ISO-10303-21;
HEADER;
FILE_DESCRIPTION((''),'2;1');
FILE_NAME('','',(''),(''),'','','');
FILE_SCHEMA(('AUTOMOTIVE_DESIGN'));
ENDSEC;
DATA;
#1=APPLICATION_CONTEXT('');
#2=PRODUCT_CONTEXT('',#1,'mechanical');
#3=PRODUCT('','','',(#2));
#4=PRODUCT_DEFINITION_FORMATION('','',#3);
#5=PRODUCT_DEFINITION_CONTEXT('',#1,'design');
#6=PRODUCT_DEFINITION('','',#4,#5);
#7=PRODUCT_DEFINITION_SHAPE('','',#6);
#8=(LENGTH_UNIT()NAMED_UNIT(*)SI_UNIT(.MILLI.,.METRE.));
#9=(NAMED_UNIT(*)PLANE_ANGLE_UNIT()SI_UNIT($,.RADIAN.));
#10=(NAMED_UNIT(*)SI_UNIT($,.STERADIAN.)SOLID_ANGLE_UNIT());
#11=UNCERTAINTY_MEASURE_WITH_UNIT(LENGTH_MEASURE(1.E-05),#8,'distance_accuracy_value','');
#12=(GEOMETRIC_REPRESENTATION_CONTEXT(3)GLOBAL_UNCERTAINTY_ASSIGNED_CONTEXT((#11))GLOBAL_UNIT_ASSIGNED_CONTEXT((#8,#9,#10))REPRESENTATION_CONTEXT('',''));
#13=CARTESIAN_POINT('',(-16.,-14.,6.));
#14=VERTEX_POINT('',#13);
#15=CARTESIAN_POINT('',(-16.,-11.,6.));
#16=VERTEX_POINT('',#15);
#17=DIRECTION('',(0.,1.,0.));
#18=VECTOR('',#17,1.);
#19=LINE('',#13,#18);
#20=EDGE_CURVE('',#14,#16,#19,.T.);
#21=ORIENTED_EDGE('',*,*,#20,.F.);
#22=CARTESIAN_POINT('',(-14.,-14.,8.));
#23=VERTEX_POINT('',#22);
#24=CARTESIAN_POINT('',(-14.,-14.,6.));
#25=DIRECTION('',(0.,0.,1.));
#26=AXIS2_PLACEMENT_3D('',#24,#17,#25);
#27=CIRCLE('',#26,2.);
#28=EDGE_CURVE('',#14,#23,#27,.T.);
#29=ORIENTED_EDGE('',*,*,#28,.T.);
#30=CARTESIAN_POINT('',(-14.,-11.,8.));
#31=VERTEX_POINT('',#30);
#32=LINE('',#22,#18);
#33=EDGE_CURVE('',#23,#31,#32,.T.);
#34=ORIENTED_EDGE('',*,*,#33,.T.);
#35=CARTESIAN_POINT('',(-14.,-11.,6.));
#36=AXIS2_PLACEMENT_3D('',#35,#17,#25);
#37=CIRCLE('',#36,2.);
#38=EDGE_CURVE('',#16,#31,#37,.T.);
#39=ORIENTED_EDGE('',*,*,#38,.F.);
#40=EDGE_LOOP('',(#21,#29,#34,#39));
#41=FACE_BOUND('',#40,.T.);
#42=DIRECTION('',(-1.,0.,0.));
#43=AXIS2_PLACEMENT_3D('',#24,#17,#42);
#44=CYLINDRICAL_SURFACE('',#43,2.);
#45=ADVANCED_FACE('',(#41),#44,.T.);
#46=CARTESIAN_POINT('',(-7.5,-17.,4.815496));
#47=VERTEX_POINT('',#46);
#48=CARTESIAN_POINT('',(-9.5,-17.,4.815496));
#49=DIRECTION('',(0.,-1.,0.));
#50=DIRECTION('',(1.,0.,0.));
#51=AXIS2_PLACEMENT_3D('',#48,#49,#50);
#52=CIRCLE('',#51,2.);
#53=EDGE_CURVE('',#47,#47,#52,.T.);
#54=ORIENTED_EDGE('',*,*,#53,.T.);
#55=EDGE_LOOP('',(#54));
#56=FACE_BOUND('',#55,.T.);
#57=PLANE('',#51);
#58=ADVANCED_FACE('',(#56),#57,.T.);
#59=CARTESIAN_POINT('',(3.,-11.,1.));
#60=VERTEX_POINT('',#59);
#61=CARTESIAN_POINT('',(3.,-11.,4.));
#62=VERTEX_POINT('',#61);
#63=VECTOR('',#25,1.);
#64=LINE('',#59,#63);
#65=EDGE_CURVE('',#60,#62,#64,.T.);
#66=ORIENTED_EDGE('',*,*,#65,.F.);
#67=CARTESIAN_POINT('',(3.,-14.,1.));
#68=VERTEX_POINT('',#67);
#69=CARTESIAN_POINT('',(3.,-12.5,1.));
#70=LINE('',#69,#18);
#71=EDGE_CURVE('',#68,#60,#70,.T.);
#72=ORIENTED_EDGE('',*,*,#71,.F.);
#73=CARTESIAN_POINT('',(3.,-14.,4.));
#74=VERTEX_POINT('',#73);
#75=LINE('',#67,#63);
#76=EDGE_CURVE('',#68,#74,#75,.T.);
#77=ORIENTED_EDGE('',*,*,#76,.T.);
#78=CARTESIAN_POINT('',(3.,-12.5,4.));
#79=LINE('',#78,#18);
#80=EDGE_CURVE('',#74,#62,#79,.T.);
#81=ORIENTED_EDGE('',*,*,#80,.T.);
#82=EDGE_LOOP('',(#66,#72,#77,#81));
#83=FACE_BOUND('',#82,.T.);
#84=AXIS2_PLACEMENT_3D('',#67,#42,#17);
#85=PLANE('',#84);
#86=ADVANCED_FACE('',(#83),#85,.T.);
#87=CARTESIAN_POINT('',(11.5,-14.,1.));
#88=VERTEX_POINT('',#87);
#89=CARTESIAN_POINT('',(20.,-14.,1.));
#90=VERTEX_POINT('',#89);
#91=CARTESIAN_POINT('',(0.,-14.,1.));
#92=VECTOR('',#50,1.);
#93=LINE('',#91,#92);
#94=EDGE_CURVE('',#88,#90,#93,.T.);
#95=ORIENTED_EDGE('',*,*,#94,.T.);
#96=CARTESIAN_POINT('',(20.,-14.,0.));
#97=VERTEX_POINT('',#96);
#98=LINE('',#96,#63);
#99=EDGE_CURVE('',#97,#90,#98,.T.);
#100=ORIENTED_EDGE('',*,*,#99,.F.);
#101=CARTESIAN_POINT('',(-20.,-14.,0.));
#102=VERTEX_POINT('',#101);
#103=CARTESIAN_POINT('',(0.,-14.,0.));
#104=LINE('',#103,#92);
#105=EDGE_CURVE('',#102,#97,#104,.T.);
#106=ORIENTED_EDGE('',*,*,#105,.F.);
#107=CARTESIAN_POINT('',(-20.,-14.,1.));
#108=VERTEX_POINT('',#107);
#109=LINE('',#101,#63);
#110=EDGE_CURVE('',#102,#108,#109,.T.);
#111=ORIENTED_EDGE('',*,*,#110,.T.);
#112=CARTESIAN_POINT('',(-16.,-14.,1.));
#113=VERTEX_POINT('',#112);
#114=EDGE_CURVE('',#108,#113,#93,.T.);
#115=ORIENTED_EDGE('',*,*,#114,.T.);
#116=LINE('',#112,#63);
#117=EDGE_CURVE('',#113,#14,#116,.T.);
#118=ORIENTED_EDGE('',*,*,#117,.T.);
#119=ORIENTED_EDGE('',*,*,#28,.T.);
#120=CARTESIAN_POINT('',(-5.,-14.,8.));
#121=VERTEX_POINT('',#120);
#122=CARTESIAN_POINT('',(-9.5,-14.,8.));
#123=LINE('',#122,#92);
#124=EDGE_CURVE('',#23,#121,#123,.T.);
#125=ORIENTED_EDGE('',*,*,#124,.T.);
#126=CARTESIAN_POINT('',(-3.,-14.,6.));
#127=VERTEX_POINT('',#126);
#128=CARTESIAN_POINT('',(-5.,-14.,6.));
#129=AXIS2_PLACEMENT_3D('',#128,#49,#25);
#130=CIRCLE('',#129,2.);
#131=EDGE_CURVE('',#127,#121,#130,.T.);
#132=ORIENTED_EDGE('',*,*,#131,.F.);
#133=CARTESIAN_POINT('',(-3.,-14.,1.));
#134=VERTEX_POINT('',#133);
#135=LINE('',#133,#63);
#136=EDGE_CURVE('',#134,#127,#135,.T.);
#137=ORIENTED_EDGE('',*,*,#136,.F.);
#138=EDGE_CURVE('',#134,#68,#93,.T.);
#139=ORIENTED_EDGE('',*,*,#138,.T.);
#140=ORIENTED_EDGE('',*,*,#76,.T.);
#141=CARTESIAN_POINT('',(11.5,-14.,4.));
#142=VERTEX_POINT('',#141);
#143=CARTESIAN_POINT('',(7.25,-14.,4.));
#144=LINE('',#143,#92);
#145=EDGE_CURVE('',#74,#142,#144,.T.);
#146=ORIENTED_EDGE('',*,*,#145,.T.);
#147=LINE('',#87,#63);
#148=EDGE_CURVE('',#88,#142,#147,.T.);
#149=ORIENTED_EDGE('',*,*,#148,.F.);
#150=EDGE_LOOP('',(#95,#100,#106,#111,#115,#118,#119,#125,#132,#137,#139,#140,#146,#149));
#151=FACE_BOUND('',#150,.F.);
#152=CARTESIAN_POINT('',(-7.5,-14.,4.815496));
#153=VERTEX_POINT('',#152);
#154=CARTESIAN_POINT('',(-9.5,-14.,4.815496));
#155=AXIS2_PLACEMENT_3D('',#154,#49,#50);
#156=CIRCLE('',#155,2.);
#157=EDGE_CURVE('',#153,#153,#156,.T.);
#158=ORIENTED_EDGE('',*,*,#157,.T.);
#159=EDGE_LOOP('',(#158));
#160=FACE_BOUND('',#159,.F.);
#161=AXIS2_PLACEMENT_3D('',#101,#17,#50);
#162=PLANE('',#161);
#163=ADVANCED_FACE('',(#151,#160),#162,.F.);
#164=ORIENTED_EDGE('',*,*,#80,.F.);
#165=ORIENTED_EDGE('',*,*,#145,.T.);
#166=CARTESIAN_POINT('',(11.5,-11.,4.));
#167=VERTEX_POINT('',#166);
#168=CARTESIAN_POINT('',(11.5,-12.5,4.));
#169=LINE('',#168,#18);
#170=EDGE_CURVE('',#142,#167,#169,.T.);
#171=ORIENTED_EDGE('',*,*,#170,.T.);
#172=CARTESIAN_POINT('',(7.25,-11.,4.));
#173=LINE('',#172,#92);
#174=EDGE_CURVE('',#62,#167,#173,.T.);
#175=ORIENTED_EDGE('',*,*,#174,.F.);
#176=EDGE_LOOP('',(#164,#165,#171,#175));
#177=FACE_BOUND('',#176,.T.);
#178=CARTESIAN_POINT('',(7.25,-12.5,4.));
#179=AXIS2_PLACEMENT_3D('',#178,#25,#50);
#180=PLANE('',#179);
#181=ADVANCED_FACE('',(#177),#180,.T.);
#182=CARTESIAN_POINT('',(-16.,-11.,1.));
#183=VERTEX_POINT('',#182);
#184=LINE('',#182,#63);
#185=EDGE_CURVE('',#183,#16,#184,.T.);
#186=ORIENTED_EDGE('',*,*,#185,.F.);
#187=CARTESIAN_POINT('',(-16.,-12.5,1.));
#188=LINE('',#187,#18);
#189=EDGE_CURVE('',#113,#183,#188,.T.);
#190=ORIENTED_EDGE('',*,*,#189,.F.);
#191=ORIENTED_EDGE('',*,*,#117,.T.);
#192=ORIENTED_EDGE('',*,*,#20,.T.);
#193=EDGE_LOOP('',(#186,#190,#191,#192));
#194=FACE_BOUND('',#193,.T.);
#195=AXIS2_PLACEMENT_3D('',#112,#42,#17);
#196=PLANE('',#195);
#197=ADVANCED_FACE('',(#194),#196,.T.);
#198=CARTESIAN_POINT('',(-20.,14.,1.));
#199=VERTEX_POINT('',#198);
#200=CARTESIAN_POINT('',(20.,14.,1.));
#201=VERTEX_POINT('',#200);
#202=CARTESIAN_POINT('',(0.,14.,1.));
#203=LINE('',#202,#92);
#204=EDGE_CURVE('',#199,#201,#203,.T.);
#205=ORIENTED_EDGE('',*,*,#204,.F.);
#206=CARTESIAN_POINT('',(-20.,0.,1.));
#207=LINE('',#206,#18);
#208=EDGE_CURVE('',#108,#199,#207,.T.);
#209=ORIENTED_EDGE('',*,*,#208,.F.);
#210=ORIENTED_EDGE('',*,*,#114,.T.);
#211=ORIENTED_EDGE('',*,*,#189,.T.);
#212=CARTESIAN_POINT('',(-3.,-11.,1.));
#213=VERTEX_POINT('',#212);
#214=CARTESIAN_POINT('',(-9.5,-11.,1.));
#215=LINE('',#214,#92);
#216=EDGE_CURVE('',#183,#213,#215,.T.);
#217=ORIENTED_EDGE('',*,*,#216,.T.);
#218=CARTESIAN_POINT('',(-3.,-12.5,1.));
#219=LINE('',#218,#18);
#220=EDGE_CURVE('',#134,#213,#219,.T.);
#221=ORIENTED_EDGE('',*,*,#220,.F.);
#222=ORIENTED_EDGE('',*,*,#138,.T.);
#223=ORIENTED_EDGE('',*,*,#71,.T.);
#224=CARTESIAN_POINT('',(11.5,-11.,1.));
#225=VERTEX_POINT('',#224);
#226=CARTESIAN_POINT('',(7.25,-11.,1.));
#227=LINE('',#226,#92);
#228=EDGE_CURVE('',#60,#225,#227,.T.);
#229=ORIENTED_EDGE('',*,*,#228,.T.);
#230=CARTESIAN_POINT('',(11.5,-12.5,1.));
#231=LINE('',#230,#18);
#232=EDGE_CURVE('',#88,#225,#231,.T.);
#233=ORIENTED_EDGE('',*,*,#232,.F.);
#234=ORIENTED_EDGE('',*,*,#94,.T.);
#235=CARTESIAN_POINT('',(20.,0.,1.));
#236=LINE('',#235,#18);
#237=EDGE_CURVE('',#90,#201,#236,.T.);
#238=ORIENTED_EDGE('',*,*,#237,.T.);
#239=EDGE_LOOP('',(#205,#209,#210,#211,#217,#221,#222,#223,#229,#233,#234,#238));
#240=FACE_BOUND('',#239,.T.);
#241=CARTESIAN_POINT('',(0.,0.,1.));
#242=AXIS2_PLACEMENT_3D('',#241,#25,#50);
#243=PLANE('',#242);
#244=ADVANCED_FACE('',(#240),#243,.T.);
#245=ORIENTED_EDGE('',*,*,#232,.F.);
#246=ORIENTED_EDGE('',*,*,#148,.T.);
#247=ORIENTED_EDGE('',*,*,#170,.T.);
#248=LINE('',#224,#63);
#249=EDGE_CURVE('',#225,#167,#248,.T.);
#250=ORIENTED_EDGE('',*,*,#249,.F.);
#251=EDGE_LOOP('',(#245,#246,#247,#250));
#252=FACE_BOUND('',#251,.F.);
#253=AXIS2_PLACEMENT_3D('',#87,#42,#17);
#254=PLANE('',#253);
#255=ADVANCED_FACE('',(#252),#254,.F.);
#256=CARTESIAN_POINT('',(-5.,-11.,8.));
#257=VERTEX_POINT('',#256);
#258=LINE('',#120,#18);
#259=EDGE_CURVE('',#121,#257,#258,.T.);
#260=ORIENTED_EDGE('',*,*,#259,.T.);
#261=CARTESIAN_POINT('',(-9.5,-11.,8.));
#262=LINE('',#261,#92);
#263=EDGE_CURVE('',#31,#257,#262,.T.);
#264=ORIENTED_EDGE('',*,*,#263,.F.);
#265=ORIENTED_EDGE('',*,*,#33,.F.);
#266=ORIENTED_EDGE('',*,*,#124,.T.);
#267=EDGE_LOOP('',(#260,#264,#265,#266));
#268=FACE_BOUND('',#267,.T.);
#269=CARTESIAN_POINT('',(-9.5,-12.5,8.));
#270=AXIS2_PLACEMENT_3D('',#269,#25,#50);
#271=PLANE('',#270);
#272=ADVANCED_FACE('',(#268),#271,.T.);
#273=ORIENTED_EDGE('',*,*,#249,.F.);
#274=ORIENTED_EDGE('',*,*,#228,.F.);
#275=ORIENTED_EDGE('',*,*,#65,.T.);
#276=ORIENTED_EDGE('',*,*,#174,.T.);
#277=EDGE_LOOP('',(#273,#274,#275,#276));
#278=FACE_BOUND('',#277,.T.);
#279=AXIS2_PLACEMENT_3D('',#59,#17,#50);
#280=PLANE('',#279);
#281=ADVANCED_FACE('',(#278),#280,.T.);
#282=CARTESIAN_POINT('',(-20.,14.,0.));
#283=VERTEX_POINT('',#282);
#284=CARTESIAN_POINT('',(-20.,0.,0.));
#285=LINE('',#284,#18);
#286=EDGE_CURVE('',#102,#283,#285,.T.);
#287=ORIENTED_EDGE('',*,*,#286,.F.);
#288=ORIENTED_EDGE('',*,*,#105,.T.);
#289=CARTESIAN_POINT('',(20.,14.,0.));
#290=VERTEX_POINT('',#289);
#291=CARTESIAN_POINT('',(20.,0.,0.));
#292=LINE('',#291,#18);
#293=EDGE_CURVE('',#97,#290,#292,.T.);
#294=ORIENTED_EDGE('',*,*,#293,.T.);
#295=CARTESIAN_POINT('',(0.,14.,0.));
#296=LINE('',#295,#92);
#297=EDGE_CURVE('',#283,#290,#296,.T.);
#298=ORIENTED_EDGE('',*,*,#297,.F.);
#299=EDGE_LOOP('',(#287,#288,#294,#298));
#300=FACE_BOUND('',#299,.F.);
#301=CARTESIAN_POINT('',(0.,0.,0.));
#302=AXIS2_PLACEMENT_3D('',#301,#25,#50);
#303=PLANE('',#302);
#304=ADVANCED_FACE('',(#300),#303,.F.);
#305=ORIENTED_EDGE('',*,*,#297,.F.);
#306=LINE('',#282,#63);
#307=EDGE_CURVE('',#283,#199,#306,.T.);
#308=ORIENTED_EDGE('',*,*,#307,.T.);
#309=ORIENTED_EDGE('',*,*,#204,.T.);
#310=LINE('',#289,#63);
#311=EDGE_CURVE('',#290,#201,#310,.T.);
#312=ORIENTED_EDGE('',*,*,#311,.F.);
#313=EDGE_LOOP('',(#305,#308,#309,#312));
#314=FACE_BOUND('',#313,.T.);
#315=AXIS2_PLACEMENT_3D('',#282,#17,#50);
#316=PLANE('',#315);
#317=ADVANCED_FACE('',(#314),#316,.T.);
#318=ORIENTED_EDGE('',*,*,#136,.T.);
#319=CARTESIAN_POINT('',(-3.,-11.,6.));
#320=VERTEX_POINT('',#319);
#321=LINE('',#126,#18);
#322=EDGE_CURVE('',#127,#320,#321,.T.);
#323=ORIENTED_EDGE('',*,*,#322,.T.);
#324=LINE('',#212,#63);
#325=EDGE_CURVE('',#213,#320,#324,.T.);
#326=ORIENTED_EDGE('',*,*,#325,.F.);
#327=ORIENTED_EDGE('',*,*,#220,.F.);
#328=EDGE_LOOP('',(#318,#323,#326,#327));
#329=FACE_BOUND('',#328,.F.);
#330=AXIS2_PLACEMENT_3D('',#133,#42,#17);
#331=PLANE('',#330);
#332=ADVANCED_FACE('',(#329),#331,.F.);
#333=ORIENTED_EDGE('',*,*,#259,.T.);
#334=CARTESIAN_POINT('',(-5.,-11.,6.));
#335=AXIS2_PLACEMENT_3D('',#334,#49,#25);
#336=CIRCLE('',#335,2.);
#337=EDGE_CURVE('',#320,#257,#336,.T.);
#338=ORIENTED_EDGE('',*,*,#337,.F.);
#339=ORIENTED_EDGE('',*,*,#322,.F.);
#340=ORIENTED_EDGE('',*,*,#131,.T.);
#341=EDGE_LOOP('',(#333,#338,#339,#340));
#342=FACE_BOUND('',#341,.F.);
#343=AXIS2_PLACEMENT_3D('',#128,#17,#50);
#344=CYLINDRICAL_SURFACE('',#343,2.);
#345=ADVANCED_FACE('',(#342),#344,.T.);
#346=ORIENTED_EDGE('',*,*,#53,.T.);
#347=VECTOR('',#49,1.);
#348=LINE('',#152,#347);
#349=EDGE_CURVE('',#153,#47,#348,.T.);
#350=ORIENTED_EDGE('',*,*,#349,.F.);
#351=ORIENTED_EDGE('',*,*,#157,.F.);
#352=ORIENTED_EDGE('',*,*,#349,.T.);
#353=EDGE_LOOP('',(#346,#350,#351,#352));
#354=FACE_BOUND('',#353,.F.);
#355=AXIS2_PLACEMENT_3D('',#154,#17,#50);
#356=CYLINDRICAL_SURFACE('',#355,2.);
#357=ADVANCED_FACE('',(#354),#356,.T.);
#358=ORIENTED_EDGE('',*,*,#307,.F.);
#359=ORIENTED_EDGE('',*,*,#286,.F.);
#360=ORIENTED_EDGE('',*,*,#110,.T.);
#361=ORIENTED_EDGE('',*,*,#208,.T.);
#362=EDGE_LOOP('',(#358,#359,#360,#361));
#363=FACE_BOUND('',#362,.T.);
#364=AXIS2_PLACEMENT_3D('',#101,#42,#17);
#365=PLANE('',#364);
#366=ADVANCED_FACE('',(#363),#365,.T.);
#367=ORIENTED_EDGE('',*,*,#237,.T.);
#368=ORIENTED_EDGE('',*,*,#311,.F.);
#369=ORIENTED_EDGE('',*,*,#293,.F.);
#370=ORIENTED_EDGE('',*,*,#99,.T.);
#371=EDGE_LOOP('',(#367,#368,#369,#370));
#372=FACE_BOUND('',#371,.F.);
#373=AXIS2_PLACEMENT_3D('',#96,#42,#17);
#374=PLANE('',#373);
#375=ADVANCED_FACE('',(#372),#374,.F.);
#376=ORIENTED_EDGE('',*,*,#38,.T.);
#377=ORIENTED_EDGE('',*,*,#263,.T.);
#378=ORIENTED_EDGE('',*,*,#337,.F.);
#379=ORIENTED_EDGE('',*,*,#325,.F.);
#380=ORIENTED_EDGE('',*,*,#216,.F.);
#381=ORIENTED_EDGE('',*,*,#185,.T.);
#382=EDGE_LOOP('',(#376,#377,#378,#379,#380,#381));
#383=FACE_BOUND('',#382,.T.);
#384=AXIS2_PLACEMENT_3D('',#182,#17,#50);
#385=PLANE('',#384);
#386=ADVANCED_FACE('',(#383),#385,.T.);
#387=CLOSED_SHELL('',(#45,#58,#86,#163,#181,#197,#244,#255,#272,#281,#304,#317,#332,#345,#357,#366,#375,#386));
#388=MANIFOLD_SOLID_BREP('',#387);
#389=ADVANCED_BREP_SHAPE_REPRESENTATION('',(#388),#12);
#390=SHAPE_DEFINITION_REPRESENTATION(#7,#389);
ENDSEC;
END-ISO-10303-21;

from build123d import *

# Parameters (mm, degrees)
F0_W     = 40
F0_H     = 28
F1_DEPTH = 1
F2_W     = 13
F2_H     = 3
F3_DEPTH = 7
F4_R     = 2
F2_W_2   = 8.5
F5_DEPTH = 3
F6_R     = 2
F7_DEPTH = 3


with BuildPart() as f1:
    # F0 (on Top) → F1 (new body)
    with BuildSketch(Plane.XY):
        Rectangle(F0_W, F0_H)
    extrude(amount=F1_DEPTH)

    # F2 (on face) → F3 (join)
    with BuildSketch(Plane.XY.offset(1)):
        with Locations((-9.5, -12.5)):
            Rectangle(F2_W, F2_H)
    extrude(amount=F3_DEPTH)

    # F4
    f4_edges = [f1.edges().sort_by_distance(p)[0] for p in [
        (-16, -12.5, 8),
        (-3, -12.5, 8),
    ]]
    fillet(f4_edges, radius=F4_R)

    # F2 (on face) → F5 (join)
    with BuildSketch(Plane.XY.offset(1)):
        with Locations((7.25, -12.5)):
            Rectangle(F2_W_2, F2_H)
    extrude(amount=F5_DEPTH)

    # F6 (on face) → F7 (join)
    with BuildSketch(Plane.XZ.offset(14)):
        with Locations((-9.5, 4.815496)):
            Circle(F6_R)
    extrude(amount=F7_DEPTH)


solid = f1.part
